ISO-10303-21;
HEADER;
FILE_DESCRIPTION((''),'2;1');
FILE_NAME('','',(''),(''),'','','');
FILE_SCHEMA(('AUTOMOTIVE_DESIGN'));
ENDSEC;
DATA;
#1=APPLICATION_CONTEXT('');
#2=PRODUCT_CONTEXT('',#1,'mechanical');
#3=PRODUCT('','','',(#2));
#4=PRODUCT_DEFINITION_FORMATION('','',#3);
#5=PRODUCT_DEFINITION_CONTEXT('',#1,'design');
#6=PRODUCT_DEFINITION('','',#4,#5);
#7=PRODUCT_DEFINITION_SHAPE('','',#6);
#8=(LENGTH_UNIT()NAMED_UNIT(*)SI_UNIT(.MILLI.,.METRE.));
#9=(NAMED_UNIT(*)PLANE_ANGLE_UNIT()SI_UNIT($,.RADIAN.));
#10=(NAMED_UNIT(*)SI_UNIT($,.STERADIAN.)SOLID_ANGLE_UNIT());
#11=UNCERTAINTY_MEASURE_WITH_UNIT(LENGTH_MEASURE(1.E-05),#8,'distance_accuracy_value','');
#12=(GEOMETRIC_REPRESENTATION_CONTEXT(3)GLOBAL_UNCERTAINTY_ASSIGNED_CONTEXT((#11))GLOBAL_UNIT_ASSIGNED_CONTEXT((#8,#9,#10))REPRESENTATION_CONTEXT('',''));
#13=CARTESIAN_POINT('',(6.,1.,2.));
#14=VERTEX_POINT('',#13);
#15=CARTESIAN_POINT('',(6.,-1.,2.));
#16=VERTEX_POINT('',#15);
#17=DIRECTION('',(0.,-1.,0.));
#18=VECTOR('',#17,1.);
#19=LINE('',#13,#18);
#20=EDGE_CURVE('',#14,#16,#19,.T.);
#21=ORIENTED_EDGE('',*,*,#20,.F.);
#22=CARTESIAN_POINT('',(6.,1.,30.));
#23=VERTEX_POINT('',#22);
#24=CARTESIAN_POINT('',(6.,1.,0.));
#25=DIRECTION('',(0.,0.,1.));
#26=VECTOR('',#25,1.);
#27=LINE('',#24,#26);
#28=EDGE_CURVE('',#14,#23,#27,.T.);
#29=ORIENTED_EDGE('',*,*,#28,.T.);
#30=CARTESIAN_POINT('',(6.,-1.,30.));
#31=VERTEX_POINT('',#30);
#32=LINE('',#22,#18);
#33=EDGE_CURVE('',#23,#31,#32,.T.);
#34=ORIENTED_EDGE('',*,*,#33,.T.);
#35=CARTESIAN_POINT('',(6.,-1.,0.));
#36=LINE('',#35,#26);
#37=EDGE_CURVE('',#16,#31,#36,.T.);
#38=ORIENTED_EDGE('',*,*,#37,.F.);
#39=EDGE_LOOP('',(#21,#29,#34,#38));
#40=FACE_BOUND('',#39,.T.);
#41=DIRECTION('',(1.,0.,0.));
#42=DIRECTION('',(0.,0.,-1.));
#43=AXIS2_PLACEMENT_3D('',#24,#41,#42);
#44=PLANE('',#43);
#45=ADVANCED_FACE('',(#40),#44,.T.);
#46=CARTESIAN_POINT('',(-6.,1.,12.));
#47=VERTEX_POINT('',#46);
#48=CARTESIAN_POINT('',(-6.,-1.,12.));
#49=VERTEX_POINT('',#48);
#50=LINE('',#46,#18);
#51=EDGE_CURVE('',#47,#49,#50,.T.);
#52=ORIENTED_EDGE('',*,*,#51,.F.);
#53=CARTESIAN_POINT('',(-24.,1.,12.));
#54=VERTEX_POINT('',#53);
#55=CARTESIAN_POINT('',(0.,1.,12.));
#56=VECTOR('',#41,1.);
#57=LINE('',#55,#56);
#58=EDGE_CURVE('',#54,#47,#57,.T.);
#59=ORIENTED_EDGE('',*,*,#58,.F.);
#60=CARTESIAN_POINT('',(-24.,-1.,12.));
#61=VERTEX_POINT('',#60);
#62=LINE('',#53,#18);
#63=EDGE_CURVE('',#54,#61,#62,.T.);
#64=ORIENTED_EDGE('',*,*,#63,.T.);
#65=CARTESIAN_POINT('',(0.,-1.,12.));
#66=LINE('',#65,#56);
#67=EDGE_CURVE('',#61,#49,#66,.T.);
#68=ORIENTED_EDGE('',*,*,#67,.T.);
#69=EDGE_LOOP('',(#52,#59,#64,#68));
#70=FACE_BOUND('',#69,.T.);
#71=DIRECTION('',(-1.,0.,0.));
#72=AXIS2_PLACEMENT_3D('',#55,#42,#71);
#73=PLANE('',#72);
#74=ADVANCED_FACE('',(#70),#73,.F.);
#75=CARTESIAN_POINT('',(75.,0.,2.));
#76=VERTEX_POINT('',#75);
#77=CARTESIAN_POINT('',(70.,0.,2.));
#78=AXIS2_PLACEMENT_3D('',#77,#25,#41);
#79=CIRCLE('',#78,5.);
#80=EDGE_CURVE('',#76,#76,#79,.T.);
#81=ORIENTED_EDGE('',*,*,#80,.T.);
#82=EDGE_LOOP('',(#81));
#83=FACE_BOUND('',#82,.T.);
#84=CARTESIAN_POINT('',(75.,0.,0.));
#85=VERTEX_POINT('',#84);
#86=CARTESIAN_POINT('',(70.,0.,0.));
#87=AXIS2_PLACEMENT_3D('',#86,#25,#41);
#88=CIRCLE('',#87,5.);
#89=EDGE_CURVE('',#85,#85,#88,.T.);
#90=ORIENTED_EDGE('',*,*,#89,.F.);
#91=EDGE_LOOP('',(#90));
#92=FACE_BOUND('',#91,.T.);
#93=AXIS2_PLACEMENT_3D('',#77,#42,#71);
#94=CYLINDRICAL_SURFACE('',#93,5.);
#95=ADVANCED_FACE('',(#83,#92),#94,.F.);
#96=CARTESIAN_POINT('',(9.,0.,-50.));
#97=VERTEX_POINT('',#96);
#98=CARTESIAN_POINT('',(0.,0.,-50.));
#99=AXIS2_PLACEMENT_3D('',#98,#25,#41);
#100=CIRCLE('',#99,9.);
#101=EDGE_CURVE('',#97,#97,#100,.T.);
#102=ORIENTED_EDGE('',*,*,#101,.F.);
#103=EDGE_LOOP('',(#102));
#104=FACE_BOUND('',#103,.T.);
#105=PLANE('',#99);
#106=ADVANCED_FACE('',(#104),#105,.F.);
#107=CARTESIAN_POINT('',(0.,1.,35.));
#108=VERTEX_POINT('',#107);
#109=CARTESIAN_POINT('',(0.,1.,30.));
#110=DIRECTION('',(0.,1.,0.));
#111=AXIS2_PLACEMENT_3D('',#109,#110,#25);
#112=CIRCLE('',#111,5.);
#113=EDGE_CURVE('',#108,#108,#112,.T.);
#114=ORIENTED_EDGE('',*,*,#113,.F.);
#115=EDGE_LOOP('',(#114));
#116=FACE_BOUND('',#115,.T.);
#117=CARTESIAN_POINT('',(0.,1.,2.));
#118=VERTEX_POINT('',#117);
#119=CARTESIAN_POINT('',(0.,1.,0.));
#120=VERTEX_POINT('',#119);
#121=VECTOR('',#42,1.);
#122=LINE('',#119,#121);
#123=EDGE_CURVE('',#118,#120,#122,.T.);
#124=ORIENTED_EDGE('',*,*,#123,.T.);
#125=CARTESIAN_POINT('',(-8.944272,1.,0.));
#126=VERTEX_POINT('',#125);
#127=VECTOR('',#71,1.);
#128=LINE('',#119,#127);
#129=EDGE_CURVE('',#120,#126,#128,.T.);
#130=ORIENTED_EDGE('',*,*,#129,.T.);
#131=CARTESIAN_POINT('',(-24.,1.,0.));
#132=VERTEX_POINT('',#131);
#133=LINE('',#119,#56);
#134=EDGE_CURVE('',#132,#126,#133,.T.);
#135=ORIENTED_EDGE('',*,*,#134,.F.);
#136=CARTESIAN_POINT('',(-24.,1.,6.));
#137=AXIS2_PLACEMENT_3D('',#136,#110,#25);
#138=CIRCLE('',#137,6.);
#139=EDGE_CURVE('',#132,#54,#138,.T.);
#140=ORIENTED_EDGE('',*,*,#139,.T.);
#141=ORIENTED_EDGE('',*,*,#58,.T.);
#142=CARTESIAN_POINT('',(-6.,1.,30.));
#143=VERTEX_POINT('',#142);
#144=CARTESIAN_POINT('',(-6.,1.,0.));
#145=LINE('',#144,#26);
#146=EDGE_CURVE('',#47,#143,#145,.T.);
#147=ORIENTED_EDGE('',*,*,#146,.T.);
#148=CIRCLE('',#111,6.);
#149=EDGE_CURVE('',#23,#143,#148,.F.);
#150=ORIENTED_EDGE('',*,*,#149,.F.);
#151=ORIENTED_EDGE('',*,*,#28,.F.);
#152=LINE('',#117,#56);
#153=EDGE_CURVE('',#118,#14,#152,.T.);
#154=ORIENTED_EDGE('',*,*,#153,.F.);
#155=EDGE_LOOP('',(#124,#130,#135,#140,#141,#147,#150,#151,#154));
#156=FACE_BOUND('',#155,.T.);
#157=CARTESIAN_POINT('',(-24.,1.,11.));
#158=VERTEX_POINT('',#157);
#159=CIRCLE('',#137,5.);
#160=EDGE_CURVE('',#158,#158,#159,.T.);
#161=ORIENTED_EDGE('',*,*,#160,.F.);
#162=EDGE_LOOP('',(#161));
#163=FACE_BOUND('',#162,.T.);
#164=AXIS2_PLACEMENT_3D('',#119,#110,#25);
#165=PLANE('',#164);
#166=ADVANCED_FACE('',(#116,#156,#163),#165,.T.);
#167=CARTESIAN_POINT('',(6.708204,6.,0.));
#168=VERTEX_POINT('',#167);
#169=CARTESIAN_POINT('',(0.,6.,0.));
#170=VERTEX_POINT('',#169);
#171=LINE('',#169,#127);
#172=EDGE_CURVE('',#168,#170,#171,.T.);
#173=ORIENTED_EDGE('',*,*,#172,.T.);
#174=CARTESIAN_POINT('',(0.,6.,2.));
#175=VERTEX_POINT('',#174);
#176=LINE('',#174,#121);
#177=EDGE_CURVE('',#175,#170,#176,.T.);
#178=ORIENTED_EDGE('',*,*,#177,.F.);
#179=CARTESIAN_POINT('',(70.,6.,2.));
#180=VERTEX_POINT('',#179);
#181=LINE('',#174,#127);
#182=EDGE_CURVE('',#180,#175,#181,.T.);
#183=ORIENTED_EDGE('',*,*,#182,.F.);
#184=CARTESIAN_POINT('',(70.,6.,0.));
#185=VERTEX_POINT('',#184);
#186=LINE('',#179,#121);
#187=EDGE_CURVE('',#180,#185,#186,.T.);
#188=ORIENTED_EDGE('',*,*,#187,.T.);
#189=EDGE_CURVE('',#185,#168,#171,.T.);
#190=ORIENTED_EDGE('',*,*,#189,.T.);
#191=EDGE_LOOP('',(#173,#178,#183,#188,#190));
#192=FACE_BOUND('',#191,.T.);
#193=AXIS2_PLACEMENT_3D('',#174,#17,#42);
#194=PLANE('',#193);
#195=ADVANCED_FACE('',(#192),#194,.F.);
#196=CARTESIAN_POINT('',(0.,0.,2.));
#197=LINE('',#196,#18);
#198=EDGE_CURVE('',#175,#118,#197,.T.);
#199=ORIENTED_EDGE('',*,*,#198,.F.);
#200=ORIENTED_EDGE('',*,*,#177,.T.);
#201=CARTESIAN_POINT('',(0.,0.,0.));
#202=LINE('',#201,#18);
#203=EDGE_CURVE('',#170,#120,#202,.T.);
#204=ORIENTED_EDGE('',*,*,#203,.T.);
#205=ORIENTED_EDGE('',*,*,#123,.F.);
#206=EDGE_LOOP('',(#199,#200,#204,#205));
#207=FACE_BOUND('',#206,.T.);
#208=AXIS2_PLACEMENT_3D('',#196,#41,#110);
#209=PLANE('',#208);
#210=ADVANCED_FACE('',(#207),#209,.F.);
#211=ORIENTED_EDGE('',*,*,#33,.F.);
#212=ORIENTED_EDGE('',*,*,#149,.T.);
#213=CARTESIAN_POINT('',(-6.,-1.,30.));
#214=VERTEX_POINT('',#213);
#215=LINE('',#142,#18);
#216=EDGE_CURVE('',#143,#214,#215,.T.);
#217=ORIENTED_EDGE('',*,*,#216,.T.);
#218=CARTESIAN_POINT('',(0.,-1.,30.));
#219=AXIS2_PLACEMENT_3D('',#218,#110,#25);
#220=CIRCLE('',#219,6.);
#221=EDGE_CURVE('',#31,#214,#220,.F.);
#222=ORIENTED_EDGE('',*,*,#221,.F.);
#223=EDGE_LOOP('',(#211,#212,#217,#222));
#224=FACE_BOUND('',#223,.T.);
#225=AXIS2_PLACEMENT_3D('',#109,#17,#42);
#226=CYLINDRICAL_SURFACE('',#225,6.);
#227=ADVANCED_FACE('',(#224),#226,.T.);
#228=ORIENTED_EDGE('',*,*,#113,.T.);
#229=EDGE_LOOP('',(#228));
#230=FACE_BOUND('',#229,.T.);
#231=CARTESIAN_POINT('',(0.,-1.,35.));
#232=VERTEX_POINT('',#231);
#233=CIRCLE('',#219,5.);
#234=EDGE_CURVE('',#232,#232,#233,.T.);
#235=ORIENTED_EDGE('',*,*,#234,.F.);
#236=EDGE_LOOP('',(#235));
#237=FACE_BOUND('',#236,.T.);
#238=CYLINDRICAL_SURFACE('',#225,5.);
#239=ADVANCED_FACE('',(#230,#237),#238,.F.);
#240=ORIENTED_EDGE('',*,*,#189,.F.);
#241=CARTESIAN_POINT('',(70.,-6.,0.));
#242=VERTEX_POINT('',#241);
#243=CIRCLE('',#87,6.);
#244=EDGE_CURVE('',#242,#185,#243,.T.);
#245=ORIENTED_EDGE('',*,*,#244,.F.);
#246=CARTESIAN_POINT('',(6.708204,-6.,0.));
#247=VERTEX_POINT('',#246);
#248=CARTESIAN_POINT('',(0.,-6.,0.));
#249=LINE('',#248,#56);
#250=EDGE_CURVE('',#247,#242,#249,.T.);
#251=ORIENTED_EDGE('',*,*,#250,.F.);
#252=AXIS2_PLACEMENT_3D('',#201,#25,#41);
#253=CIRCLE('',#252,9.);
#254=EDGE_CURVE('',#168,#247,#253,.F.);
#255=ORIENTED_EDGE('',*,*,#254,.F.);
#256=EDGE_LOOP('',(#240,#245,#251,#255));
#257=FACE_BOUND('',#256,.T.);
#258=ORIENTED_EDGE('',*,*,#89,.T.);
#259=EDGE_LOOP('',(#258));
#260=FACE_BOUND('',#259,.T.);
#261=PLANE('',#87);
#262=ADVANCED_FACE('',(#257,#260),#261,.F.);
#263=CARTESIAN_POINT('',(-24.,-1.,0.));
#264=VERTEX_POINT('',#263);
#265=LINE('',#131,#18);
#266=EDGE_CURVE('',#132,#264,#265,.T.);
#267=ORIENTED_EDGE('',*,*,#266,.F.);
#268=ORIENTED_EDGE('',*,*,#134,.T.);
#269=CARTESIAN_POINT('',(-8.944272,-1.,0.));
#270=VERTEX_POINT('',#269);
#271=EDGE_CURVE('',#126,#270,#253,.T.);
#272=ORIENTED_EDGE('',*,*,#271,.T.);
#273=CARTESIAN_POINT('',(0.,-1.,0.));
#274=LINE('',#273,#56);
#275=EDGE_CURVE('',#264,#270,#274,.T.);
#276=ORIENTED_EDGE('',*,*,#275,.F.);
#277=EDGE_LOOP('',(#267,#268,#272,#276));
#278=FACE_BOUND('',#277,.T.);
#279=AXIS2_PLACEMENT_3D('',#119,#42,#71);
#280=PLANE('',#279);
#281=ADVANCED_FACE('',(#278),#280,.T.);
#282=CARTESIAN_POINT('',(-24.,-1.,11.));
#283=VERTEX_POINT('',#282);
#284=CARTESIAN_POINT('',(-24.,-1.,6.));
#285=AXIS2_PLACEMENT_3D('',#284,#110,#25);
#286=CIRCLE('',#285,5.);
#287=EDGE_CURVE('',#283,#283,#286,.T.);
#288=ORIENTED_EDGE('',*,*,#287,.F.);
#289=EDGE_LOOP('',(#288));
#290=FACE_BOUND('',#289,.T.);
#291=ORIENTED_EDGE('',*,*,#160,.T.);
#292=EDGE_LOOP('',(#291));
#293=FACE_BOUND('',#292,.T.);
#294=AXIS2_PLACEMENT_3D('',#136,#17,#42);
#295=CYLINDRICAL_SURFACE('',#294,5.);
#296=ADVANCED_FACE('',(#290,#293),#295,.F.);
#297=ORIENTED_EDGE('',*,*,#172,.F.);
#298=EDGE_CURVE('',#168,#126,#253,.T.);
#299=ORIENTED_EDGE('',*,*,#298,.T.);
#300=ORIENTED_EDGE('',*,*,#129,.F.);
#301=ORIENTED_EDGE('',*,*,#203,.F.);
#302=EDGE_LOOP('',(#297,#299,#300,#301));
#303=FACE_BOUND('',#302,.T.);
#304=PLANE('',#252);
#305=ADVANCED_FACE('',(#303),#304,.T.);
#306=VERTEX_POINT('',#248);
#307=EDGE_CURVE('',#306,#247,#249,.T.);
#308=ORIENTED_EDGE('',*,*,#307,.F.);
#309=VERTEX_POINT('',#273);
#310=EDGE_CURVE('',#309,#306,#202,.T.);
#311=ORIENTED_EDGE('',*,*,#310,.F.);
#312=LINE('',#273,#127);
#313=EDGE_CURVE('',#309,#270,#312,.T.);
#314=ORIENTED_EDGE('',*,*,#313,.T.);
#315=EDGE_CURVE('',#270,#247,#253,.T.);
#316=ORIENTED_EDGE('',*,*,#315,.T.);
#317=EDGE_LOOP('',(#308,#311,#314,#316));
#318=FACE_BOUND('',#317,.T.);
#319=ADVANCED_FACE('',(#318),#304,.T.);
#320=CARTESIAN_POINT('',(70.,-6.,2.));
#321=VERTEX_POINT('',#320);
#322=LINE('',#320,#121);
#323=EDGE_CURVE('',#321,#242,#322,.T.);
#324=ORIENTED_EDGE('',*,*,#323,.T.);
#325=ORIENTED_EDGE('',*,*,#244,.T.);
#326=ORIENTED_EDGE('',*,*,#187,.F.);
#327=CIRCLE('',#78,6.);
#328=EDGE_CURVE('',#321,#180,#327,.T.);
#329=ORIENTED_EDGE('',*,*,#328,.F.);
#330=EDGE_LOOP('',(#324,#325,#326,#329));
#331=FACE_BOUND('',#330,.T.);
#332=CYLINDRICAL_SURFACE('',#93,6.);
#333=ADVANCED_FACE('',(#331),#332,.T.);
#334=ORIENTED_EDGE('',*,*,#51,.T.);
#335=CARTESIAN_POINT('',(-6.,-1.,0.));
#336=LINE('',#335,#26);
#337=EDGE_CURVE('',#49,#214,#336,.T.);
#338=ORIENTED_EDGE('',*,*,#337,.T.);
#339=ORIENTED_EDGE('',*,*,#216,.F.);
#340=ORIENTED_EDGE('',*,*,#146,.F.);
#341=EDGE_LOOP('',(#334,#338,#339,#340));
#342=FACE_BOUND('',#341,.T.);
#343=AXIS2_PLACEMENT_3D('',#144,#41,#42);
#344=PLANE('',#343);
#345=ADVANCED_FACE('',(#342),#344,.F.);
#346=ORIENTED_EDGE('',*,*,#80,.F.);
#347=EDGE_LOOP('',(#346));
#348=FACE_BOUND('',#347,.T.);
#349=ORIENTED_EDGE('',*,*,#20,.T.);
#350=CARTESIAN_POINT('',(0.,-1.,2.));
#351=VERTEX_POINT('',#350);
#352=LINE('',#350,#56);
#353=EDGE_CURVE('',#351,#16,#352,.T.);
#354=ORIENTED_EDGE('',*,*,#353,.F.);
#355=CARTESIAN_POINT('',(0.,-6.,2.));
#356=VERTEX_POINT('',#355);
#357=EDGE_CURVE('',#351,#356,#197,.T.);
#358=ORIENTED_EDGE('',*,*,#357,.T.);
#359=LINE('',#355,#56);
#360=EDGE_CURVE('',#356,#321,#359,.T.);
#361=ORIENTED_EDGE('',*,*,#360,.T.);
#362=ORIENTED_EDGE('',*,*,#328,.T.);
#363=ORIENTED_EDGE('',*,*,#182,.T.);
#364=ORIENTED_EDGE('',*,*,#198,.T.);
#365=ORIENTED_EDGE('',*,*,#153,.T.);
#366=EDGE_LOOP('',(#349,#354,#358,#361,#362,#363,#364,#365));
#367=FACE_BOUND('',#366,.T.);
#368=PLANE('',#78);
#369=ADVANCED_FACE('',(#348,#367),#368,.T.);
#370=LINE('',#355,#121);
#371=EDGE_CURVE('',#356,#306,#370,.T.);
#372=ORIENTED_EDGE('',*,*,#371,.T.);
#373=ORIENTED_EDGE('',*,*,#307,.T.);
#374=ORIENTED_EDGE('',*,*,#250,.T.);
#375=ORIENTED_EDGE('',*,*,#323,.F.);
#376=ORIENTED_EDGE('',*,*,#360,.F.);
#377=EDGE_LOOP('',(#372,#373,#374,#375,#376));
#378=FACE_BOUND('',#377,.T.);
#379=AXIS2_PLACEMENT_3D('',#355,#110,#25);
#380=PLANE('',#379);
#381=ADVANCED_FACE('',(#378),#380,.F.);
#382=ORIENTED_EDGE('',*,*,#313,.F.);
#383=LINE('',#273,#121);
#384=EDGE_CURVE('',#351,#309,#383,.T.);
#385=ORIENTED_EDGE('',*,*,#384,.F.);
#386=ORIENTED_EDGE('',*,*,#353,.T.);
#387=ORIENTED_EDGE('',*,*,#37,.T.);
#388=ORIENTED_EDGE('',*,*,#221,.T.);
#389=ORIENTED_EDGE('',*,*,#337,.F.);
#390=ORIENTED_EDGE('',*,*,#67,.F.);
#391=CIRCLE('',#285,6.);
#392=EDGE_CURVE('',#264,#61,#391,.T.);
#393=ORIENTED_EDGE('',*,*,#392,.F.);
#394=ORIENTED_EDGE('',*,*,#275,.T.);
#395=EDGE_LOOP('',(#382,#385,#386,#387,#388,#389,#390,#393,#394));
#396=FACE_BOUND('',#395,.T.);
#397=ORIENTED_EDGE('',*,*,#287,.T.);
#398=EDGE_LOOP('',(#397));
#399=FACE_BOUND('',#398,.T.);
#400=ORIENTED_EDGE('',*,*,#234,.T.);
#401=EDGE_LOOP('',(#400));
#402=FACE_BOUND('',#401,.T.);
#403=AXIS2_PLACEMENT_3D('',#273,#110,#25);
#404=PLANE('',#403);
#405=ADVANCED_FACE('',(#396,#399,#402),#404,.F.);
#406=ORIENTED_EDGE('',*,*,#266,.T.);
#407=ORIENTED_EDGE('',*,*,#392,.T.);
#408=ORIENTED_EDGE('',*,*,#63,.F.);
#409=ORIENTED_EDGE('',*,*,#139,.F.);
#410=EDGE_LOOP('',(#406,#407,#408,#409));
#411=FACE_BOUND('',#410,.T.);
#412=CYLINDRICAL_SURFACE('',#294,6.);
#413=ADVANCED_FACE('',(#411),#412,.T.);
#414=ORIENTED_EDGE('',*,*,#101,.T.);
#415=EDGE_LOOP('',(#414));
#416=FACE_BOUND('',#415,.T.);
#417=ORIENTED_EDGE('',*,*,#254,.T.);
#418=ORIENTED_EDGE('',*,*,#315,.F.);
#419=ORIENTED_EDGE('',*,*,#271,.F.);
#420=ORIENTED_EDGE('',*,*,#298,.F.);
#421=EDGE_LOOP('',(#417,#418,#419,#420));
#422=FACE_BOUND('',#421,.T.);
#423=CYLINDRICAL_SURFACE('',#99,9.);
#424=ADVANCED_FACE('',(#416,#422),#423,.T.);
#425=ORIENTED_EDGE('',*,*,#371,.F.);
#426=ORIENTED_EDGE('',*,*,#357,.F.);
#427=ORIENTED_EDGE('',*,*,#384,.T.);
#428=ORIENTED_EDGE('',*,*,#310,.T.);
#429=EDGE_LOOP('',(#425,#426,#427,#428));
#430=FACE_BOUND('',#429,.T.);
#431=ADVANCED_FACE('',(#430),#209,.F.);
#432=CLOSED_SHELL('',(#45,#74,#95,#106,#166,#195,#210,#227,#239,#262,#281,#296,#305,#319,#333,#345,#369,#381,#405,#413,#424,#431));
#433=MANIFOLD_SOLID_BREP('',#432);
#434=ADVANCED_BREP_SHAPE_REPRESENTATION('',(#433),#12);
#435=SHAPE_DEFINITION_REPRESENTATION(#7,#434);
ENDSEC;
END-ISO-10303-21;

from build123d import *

# Parameters (mm, degrees)
SKETCH1_R           = 9
BOSS_EXTRUDE1_DEPTH = 50
SKETCH2_R           = 5
BOSS_EXTRUDE2_DEPTH = 2
SKETCH4_W           = 12
SKETCH4_H           = 12
SKETCH4_R           = 5
BOSS_EXTRUDE3_DEPTH = 1


with BuildPart() as part:
    # Sketch1 → Boss-Extrude1 (new body)
    with BuildSketch(Plane.XY):
        Circle(SKETCH1_R)
    extrude(amount=-BOSS_EXTRUDE1_DEPTH)



with BuildPart() as body_2:
    # Sketch2 → Boss-Extrude2 (new body)
    with BuildSketch(Plane.XY):
        with BuildLine():
            Line((0, 0), (0, 6))
            Line((0, 6), (70, 6))
            ThreePointArc((70, 6), (76, 0), (70, -6))
            Line((70, -6), (0, -6))
            Line((0, -6), (0, 0))
        make_face()
        with Locations((70, 0)):
            Circle(SKETCH2_R, mode=Mode.SUBTRACT)
    extrude(amount=BOSS_EXTRUDE2_DEPTH)


with BuildPart() as part_1:
    add(part.part)

    add(body_2.part)  # Boss-Extrude3 merges body 2
    # Sketch4 → Boss-Extrude3 (add, symmetric)
    with BuildSketch(Plane(origin=(0, 0, 0), x_dir=(1, 0, 0), z_dir=(0, 1, 0))):
        with Locations((0, -6)):
            Rectangle(SKETCH4_W, SKETCH4_H)
        with BuildLine():
            Line((-6, -12), (-6, 0))
            Line((-6, 0), (-24, 0))
            ThreePointArc((-24, 0), (-30, -6), (-24, -12))
            Line((-24, -12), (-6, -12))
        make_face()
        with Locations((-24, -6)):
            Circle(SKETCH4_R, mode=Mode.SUBTRACT)
        with BuildLine():
            Line((6, -12), (-6, -12))
            Line((-6, -12), (-6, -30))
            ThreePointArc((-6, -30), (0, -36), (6, -30))
            Line((6, -30), (6, -12))
        make_face()
        with Locations((0, -30)):
            Circle(SKETCH4_R, mode=Mode.SUBTRACT)
    extrude(amount=BOSS_EXTRUDE3_DEPTH, both=True)


solid = part_1.part
